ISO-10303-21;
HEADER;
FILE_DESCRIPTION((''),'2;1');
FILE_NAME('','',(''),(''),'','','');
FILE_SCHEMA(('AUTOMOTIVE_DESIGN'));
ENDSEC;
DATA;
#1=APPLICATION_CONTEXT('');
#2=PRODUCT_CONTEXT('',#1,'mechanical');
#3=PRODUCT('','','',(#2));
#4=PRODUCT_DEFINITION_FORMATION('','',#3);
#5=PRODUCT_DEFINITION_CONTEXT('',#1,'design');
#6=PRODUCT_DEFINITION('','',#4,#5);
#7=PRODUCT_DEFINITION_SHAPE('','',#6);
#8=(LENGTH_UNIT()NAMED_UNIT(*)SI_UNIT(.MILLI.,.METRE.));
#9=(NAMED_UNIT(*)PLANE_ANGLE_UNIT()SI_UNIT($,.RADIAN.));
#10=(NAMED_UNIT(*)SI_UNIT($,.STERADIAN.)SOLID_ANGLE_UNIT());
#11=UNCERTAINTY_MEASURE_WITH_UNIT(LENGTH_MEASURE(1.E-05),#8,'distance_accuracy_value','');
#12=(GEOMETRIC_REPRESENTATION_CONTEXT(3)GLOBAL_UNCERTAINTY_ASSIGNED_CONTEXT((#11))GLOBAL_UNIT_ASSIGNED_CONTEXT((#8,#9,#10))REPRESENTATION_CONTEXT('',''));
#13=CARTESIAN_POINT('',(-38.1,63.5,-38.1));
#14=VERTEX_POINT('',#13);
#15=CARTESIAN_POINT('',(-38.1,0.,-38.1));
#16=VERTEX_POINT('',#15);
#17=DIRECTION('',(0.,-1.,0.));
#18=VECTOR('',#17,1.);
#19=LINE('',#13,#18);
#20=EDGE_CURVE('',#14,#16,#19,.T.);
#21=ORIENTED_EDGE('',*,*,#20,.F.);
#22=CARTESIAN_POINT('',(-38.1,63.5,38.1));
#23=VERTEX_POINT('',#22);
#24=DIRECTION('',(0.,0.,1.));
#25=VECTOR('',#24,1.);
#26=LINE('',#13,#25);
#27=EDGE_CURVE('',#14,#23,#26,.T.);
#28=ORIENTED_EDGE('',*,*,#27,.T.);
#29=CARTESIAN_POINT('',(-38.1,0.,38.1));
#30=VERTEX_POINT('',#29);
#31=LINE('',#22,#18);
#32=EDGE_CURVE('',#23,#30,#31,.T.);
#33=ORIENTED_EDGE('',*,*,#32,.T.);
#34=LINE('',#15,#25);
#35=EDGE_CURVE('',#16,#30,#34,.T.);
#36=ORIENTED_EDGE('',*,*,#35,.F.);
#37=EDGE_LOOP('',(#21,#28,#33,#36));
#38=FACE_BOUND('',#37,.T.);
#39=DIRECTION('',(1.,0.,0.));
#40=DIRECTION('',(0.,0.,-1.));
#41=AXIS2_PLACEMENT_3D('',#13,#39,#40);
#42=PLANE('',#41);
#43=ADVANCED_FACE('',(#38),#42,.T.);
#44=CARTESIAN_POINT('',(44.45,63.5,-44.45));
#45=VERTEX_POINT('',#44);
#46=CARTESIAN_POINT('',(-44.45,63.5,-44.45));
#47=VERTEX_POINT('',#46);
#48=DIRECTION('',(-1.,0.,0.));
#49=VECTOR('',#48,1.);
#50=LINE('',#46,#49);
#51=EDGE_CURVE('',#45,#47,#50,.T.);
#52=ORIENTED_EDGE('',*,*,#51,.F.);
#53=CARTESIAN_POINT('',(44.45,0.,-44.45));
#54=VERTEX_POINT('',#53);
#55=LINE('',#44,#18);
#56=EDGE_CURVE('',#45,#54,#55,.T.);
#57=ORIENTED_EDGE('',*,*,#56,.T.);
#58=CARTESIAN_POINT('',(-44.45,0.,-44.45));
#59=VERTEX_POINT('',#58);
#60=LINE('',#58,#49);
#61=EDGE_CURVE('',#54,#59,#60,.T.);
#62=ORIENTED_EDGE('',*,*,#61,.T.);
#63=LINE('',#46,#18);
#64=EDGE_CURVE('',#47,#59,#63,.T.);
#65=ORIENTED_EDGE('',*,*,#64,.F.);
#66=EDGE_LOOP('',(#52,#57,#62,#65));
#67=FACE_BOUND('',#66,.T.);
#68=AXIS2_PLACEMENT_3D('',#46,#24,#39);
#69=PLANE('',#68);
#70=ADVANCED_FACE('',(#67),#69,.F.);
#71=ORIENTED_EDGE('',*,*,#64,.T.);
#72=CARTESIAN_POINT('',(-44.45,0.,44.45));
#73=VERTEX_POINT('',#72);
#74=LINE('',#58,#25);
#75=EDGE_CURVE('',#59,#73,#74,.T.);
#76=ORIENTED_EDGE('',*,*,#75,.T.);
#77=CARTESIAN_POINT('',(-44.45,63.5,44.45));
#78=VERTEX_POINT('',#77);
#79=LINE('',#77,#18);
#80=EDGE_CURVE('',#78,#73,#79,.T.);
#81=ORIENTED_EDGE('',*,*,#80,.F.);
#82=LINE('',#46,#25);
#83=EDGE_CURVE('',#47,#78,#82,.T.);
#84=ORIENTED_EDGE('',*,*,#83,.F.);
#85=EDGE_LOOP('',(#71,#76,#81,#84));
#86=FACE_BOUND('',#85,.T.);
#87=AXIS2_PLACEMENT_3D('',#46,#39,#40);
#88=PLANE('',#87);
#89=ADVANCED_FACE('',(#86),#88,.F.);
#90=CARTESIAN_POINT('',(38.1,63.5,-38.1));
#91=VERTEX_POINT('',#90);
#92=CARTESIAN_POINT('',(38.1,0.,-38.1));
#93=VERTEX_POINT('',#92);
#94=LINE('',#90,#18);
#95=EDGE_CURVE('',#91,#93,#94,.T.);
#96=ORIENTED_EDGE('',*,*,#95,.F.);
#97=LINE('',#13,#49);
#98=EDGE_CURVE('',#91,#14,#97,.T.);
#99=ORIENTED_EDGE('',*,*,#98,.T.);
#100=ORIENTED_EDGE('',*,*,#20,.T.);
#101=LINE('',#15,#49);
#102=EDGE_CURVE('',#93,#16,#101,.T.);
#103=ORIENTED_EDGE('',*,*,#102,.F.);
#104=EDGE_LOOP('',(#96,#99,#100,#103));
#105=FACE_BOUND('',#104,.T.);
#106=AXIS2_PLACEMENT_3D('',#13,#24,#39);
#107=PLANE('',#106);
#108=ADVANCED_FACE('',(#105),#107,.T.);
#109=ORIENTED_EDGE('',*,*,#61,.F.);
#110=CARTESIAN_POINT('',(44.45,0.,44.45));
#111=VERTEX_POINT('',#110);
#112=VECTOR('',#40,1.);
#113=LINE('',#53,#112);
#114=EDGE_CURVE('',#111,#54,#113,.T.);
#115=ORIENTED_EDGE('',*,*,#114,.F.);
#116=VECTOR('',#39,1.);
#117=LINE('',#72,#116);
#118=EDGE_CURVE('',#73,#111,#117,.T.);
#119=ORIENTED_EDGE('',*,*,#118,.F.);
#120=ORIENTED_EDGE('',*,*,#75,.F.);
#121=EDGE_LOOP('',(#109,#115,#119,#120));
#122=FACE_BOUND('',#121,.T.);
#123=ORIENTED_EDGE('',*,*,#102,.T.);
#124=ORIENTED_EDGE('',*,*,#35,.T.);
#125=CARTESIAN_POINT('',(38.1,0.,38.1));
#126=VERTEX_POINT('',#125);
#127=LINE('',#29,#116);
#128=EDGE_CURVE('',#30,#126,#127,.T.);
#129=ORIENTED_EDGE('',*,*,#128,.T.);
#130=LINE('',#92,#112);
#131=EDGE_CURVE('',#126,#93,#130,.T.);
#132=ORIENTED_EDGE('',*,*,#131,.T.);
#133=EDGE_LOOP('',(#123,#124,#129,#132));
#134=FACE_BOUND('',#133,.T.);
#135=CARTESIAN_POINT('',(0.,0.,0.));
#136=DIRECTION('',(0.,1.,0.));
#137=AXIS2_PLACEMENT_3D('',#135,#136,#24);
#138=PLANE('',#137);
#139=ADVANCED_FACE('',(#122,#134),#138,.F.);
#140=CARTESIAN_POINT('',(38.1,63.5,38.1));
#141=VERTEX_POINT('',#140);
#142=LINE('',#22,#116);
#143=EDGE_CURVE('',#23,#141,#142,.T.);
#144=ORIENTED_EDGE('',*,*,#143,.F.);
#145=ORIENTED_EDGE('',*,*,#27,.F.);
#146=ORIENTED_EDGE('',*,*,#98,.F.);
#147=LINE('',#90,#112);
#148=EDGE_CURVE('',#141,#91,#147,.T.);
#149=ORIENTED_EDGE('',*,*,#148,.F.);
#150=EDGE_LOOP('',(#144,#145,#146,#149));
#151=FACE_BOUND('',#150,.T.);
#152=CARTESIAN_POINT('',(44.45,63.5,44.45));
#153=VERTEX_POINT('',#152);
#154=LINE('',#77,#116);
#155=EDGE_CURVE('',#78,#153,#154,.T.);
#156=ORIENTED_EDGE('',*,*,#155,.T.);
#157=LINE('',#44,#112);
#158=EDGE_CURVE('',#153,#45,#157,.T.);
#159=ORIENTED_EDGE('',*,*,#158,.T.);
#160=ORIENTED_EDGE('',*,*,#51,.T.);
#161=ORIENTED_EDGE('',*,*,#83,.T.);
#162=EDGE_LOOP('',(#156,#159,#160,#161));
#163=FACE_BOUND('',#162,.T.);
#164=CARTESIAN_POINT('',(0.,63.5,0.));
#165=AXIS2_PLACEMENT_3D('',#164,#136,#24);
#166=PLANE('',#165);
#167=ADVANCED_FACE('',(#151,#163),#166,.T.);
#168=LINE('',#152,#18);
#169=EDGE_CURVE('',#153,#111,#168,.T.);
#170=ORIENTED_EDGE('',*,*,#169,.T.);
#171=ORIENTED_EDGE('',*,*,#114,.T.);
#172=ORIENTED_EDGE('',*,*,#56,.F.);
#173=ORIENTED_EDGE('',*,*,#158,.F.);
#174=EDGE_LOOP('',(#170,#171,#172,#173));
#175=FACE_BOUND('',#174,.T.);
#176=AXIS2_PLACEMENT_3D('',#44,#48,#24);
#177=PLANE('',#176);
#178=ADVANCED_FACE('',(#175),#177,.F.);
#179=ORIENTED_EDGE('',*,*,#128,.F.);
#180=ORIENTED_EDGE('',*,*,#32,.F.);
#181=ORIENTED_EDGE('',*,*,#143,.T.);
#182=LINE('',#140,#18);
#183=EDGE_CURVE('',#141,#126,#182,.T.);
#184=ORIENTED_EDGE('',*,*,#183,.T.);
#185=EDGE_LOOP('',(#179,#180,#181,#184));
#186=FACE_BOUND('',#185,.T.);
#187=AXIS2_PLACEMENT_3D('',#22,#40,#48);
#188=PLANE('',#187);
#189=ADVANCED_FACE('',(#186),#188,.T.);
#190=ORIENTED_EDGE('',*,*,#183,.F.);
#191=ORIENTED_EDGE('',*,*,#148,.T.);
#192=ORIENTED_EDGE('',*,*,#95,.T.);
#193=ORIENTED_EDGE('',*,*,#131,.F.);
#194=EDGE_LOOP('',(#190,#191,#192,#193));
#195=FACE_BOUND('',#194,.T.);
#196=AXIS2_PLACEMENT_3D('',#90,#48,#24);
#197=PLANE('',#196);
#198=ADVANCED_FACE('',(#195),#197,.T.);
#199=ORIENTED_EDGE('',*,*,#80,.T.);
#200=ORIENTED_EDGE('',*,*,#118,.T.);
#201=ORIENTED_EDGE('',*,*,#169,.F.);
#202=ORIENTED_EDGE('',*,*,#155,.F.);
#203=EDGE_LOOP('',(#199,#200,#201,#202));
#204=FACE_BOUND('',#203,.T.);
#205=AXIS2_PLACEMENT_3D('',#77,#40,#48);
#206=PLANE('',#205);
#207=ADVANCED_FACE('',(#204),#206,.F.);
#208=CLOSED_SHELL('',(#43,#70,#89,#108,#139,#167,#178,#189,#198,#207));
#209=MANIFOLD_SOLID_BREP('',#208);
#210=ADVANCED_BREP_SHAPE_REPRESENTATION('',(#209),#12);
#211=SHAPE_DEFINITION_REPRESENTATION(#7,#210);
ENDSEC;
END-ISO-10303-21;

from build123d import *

# Parameters (mm, degrees)
SKETCH1_W           = 88.9
SKETCH1_H           = 88.9
BOSS_EXTRUDE1_DEPTH = 63.5
SKETCH2_W           = 76.2
SKETCH2_H           = 76.2
CUT_EXTRUDE1_DEPTH  = 90.352420225


with BuildPart() as part:
    # Sketch1 → Boss-Extrude1 (new body)
    with BuildSketch(Plane(origin=(0, 0, 0), x_dir=(1, 0, 0), z_dir=(0, 1, 0))):
        Rectangle(SKETCH1_W, SKETCH1_H)
    extrude(amount=BOSS_EXTRUDE1_DEPTH)

    # Sketch2 → Cut-Extrude1 (cut, through all)
    with BuildSketch(Plane(origin=(0, 0, 0), x_dir=(1, 0, 0), z_dir=(0, 1, 0))):
        Rectangle(SKETCH2_W, SKETCH2_H)
    extrude(amount=CUT_EXTRUDE1_DEPTH, mode=Mode.SUBTRACT)


solid = part.part
